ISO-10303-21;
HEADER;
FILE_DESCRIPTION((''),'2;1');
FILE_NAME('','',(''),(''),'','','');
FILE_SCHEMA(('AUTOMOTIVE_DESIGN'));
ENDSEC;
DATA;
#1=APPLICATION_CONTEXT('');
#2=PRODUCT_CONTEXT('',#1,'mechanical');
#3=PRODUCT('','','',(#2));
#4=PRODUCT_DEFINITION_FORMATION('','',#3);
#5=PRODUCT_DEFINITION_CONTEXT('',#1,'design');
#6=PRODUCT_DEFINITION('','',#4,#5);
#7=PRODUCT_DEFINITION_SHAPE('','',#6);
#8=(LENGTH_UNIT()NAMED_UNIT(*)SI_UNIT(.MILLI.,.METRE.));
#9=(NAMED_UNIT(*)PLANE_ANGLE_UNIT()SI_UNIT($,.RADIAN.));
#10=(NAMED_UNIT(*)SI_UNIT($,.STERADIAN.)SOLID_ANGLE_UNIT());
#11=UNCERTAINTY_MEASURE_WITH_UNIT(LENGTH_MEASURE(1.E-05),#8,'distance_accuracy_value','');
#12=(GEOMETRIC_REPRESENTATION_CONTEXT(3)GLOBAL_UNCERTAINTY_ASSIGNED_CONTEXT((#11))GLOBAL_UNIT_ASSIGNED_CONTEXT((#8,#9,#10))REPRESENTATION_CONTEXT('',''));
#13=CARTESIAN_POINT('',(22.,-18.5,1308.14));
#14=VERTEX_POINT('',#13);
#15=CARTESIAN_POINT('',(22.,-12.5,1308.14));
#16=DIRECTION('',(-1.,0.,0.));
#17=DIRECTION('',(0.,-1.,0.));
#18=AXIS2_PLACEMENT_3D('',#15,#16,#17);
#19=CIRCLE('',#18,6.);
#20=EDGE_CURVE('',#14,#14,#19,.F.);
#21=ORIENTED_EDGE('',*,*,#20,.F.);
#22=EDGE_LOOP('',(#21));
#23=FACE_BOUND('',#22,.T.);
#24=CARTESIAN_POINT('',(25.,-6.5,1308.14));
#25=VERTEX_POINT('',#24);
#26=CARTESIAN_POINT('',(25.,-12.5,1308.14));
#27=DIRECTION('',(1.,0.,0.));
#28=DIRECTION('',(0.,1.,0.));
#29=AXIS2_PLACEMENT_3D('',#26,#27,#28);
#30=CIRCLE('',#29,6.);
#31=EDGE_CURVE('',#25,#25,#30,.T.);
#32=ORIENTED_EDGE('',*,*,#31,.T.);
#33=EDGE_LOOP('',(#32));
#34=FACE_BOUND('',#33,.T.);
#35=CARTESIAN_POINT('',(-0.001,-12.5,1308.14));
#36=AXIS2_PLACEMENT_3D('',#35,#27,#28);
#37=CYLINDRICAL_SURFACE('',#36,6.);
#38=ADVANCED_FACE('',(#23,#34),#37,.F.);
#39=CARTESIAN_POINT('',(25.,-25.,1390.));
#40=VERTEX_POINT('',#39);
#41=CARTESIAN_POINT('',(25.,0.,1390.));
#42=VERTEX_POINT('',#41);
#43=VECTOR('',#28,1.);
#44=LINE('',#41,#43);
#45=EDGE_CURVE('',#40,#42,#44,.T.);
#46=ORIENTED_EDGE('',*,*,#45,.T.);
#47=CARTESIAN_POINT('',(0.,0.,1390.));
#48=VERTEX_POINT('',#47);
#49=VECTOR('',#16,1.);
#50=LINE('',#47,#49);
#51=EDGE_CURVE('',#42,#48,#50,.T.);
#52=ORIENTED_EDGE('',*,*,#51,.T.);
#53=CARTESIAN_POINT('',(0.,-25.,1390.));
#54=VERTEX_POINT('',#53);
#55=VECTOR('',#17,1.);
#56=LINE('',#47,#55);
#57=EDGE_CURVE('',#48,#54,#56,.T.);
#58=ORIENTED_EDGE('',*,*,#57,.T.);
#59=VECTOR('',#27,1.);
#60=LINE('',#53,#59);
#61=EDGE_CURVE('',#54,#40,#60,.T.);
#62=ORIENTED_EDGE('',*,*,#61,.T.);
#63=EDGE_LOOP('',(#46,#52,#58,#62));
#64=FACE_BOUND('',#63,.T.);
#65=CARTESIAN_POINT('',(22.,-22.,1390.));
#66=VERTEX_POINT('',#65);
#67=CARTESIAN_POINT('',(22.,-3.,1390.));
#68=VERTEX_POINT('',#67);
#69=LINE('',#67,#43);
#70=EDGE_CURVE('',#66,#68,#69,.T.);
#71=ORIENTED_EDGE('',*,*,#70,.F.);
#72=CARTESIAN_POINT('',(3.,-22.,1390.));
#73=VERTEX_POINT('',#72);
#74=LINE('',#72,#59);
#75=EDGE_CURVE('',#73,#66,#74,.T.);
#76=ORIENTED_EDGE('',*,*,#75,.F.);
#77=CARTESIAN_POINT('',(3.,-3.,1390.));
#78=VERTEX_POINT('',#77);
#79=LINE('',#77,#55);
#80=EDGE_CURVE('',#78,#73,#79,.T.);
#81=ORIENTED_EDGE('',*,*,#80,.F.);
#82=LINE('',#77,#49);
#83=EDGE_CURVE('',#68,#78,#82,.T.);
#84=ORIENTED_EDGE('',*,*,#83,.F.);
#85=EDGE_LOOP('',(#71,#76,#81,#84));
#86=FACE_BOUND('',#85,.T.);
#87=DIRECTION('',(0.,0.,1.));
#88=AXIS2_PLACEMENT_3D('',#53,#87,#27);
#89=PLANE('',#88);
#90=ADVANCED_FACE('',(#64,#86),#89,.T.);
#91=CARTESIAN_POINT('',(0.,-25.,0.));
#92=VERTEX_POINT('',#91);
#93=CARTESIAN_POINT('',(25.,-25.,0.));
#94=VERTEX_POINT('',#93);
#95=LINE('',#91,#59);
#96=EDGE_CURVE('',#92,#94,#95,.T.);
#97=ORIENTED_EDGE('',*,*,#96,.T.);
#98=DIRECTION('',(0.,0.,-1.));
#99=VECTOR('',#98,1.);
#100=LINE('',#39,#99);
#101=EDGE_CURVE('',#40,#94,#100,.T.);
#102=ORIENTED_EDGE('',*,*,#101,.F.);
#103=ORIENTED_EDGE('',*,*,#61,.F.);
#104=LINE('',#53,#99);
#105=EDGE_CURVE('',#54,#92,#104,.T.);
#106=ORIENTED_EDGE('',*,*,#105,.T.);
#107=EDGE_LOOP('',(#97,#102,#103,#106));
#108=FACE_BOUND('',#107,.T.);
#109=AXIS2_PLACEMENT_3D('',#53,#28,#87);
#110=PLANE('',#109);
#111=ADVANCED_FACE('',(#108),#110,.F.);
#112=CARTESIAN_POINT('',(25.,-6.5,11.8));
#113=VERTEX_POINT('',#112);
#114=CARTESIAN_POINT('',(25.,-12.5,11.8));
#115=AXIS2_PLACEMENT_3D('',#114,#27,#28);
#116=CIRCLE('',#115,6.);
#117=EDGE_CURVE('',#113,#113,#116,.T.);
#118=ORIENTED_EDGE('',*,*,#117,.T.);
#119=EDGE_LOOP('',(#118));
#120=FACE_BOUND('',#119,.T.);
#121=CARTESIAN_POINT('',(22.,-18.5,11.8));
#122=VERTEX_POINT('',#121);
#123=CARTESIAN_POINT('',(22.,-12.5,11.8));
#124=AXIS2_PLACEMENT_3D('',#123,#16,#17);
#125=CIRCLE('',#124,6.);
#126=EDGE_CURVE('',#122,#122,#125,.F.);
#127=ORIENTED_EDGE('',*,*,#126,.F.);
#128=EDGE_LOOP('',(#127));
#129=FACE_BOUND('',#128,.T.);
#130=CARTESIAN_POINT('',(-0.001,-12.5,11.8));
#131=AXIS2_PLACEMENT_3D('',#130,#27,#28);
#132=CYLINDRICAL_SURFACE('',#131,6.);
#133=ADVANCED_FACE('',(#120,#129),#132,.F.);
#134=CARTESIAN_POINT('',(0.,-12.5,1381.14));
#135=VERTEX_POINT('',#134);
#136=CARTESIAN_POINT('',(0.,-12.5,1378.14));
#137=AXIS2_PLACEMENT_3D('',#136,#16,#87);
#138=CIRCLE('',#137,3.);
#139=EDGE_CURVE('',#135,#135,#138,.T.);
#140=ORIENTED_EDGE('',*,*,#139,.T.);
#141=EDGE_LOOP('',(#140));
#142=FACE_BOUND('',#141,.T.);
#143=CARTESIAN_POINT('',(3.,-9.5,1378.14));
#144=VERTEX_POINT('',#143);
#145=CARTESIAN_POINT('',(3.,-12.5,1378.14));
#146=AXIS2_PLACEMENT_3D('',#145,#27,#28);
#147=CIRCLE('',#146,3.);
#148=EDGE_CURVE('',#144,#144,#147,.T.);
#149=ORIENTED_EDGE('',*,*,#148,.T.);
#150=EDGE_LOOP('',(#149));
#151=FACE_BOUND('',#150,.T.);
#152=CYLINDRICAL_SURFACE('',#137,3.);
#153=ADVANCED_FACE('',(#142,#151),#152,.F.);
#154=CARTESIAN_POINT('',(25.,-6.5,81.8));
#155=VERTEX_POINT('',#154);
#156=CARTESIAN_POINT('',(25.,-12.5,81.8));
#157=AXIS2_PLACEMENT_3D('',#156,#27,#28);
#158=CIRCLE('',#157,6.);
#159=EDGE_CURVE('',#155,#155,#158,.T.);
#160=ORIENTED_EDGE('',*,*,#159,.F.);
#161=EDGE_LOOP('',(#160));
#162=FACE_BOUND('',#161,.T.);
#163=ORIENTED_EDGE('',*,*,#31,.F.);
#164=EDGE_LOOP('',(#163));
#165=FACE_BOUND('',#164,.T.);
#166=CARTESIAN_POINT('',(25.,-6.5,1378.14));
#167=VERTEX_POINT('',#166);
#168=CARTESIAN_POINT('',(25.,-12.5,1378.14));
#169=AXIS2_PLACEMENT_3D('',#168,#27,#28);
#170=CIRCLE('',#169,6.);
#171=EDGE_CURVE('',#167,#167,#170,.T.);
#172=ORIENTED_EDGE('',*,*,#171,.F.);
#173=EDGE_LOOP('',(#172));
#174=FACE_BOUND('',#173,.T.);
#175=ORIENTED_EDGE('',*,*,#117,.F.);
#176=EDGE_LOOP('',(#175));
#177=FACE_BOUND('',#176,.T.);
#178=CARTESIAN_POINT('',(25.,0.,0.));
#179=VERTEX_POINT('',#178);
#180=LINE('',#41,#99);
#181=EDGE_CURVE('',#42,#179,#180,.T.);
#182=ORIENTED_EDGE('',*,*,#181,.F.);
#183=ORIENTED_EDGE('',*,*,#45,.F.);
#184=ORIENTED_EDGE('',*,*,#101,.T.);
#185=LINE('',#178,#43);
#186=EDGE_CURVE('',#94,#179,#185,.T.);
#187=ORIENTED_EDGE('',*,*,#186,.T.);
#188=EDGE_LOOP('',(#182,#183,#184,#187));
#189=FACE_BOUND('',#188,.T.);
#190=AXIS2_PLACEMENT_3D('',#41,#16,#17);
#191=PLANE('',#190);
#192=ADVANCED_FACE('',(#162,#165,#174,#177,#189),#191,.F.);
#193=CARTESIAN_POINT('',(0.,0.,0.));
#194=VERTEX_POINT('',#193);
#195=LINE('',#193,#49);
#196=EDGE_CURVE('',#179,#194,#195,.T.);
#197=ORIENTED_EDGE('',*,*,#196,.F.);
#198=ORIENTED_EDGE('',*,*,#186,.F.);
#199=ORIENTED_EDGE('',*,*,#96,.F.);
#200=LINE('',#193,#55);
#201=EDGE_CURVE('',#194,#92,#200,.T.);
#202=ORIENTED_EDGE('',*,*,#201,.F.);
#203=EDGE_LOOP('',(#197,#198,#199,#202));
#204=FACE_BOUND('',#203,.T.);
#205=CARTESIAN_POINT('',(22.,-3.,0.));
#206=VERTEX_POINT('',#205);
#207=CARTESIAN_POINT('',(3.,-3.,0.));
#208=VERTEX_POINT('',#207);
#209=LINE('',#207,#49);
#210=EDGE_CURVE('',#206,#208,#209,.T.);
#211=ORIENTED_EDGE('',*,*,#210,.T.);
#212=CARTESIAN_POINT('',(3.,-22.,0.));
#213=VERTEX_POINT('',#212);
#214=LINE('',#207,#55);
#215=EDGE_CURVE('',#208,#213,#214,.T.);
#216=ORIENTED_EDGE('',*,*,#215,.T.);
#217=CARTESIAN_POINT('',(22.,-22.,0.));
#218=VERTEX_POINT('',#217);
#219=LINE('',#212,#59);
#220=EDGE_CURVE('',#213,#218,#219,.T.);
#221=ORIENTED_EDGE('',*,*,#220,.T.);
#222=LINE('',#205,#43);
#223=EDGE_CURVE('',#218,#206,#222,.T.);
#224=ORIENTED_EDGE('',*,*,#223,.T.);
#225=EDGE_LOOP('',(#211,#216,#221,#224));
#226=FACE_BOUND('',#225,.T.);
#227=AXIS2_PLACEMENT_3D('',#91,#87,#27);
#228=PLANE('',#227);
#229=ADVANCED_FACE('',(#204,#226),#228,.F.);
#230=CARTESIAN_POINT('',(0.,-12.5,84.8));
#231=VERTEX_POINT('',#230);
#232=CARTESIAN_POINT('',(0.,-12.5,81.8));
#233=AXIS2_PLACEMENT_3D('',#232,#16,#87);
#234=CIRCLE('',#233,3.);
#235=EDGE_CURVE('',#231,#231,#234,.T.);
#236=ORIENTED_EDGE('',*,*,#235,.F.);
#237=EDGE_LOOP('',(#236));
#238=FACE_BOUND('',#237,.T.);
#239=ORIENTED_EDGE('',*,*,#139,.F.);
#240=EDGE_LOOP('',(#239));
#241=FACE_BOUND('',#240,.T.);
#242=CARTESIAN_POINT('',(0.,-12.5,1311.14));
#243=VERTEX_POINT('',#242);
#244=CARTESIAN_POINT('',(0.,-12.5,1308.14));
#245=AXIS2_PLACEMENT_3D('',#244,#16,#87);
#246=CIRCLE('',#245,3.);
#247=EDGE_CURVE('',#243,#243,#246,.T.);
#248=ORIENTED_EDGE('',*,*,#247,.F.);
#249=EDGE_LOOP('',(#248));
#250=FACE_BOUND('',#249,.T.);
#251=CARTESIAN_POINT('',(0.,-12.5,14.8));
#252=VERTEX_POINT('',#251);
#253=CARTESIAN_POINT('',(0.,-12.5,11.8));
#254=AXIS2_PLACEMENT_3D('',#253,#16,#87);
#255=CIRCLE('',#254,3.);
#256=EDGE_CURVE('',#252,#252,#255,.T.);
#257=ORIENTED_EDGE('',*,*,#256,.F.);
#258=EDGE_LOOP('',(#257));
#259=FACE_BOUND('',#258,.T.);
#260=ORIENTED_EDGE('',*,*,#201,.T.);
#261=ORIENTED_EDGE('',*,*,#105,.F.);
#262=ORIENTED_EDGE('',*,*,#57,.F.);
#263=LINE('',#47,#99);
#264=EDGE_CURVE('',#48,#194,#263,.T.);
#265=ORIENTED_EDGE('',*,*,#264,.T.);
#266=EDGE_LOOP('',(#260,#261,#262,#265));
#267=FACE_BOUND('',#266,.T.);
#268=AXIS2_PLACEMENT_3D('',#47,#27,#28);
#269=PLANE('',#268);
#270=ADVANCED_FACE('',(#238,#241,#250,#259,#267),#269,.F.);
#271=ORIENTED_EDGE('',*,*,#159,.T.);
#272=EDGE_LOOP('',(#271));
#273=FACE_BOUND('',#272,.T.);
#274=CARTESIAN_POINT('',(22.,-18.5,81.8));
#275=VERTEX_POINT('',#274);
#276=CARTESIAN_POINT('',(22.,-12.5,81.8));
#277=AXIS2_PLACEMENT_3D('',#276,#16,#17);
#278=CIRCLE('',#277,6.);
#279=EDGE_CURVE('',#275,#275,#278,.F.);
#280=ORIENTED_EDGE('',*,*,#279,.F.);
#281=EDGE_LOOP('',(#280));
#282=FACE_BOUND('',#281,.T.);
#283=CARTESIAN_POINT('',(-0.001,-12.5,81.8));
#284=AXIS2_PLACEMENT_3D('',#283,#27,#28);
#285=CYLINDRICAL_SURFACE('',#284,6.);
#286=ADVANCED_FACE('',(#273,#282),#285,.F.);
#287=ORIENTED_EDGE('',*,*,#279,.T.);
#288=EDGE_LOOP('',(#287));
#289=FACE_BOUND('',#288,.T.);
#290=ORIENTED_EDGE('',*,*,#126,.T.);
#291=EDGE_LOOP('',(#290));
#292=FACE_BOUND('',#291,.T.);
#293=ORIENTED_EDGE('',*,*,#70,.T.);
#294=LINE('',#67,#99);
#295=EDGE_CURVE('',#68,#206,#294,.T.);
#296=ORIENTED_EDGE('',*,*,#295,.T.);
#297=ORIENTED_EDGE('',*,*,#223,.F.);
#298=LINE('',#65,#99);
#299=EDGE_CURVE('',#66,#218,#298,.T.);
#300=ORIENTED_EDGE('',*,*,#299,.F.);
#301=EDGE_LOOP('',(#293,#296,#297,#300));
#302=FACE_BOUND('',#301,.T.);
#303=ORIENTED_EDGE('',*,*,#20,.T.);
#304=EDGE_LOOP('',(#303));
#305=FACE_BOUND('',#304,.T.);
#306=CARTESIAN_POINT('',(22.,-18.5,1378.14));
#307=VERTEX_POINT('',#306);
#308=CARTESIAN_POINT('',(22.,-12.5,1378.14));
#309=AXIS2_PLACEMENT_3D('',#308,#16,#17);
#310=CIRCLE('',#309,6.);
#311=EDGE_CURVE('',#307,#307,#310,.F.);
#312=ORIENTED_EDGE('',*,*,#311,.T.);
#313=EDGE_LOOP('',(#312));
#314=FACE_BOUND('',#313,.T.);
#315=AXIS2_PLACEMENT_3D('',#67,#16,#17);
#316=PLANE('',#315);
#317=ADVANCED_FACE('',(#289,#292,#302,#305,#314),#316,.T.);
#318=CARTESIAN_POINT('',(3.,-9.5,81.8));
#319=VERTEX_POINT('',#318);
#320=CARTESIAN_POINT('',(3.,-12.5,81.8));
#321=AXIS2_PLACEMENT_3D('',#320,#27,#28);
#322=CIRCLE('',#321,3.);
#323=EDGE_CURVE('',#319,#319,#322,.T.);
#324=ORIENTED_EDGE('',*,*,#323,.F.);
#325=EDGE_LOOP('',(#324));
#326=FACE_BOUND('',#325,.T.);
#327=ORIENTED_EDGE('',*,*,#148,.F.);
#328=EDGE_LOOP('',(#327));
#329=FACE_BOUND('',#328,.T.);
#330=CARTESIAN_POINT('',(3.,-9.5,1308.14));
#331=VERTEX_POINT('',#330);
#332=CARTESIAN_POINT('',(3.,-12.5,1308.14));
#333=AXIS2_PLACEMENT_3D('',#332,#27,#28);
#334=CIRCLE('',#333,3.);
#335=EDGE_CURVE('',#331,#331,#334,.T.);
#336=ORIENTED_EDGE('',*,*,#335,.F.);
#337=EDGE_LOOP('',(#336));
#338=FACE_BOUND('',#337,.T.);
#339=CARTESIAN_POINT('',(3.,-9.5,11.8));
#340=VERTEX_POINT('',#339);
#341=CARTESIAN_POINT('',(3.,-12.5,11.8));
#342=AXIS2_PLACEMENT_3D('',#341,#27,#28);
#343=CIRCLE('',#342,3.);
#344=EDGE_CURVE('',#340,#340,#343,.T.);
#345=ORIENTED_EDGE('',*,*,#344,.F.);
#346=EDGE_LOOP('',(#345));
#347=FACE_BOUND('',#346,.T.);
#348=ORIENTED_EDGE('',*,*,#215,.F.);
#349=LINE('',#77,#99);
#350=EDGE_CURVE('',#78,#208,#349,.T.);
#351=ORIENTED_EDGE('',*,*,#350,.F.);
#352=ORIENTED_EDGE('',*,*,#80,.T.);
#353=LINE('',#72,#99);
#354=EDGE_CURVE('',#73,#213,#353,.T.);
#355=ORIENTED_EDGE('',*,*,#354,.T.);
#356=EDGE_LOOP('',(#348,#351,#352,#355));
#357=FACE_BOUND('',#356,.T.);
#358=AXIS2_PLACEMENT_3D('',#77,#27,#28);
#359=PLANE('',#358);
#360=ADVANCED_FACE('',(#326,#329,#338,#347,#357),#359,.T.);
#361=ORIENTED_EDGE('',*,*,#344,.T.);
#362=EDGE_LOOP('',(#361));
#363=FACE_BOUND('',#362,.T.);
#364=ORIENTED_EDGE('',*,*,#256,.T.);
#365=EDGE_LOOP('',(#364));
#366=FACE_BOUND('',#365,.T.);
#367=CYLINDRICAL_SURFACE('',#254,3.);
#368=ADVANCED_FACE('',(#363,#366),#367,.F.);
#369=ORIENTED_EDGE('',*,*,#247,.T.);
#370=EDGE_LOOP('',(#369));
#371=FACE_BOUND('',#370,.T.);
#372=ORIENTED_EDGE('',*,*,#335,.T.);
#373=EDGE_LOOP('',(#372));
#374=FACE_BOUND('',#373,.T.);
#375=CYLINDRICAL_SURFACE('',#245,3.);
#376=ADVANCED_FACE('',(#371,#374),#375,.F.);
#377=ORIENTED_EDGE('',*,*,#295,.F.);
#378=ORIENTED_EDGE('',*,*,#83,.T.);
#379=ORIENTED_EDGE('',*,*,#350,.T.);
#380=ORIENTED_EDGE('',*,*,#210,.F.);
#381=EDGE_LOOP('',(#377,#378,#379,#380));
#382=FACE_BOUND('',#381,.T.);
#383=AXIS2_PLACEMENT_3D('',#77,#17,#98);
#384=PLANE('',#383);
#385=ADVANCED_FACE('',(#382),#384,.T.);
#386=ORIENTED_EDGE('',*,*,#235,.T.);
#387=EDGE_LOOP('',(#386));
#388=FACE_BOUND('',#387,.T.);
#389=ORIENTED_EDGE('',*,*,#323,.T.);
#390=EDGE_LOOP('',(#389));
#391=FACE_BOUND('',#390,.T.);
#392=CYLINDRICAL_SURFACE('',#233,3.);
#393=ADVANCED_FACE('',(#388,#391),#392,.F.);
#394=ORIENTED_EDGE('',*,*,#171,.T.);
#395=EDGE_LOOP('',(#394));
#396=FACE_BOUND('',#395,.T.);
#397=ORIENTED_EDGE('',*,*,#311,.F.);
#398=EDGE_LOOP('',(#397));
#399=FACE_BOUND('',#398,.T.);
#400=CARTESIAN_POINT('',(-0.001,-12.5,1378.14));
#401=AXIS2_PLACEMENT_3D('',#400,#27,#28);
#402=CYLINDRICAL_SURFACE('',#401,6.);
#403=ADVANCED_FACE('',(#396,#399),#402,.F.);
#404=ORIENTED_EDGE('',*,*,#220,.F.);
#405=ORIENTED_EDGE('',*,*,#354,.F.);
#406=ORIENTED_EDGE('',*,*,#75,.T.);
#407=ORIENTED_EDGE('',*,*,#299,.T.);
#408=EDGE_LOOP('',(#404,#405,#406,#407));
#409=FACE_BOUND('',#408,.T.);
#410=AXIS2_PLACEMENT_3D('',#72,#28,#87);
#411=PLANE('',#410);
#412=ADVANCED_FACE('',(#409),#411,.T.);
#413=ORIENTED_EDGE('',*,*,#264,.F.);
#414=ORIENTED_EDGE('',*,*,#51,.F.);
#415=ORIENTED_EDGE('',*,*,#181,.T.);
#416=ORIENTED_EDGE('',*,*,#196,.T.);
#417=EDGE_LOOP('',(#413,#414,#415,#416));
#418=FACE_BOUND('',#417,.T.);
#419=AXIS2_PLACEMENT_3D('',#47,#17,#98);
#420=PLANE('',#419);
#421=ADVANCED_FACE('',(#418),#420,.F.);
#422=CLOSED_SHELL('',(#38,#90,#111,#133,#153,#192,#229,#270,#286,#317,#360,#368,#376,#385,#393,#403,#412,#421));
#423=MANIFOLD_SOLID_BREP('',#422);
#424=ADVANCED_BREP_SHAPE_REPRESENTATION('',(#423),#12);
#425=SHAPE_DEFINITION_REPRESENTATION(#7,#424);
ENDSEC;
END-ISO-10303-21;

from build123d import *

# Parameters (mm, degrees)
SKETCH_1_W                     = 25
SKETCH_1_H                     = 25
SKETCH_1_W_2                   = 19
SKETCH_1_H_2                   = 19
EXTRUDE_1_DEPTH                = 1390
HOLE_WIZARD_6_0_6_1_AT_2_COUNT = 2
HOLE_WIZARD_6_0_6_1_AT_2_PITCH = 70
CUT_EXTRUDE_1_REACH            = 1392.45
SKETCH_6_R                     = 6
PATTERN_LINEAR_1_COUNT         = 2
PATTERN_LINEAR_1_PITCH         = 1296.34


with BuildPart() as part:
    # 草图1 → 拉伸1 (new body)
    with BuildSketch(Plane.XY):
        with Locations((12.5, -12.5)):
            Rectangle(SKETCH_1_W, SKETCH_1_H)
        with Locations((12.5, -12.5)):
            Rectangle(SKETCH_1_W_2, SKETCH_1_H_2, mode=Mode.SUBTRACT)
    extrude(amount=EXTRUDE_1_DEPTH)

    # 草图4 → Ø6.0 (6) 直径孔1 (revolve, cut)
    with BuildSketch(Plane(origin=(0, -12.5, 11.8), x_dir=(0, 0, 1), z_dir=(0, 1, 0))):
        Polygon((0, 0), (0, 31.802581857), (3, 30), (3, 0), align=None)
    hole_wizard_6_0_6_1 = revolve(axis=Axis((-6.35, -12.5, 11.8), (1, 0, 0)), mode=Mode.SUBTRACT)

    # Ø6.0 (6) 直径孔1 at 2: Ø6.0 (6) 直径孔1 ×2
    with Locations(*[(0, 0, i * HOLE_WIZARD_6_0_6_1_AT_2_PITCH) for i in range(1, HOLE_WIZARD_6_0_6_1_AT_2_COUNT)]):
        add(hole_wizard_6_0_6_1, mode=Mode.SUBTRACT)

    # 草图6 → 切除-拉伸1 (cut, up to next)
    with BuildSketch(Plane(origin=(25, 0, 0), x_dir=(0, 0, -1), z_dir=(1, 0, 0)), mode=Mode.PRIVATE) as cut_extrude_1_sk1:
        with Locations(Location((-11.8, -12.5, 0), (0, 0, 90))):
            Circle(SKETCH_6_R)
    cut_extrude_1_tool1 = extrude(cut_extrude_1_sk1.sketch, amount=-CUT_EXTRUDE_1_REACH, mode=Mode.PRIVATE) & part.part
    # 草图6 → 切除-拉伸1 (cut, up to next)
    with BuildSketch(Plane(origin=(25, 0, 0), x_dir=(0, 0, -1), z_dir=(1, 0, 0)), mode=Mode.PRIVATE) as cut_extrude_1_sk2:
        with Locations(Location((-81.8, -12.5, 0), (0, 0, 90))):
            Circle(SKETCH_6_R)
    cut_extrude_1_tool2 = extrude(cut_extrude_1_sk2.sketch, amount=-CUT_EXTRUDE_1_REACH, mode=Mode.PRIVATE) & part.part
    cut_extrude_1_1 = cut_extrude_1_tool1.solids().sort_by_distance((25, -12.5, 11.8))[0]
    add(cut_extrude_1_1, mode=Mode.SUBTRACT)
    cut_extrude_1_2 = cut_extrude_1_tool2.solids().sort_by_distance((25, -12.5, 81.8))[0]
    add(cut_extrude_1_2, mode=Mode.SUBTRACT)
    cut_extrude_1 = cut_extrude_1_1 + cut_extrude_1_2  # 切除-拉伸1 as one shape, for the pattern or mirror that repeats it

    # 阵列(线性)1: Ø6.0 (6) 直径孔1, 切除-拉伸1 ×2
    with Locations(*[(0, 0, i * PATTERN_LINEAR_1_PITCH) for i in range(1, PATTERN_LINEAR_1_COUNT)]):
        add(hole_wizard_6_0_6_1, mode=Mode.SUBTRACT)
        add(cut_extrude_1, mode=Mode.SUBTRACT)

    # 阵列(线性)1 copy 1 sketch → 阵列(线性)1 copy 1 (revolve, cut)
    with BuildSketch(Plane(origin=(0, -12.5, 1378.14), x_dir=(0, 0, 1), z_dir=(0, 1, 0))):
        Polygon((0, 0), (0, 31.802581857), (3, 30), (3, 0), align=None)
    revolve(axis=Axis((-6.35, -12.5, 1378.14), (1, 0, 0)), mode=Mode.SUBTRACT)


solid = part.part
